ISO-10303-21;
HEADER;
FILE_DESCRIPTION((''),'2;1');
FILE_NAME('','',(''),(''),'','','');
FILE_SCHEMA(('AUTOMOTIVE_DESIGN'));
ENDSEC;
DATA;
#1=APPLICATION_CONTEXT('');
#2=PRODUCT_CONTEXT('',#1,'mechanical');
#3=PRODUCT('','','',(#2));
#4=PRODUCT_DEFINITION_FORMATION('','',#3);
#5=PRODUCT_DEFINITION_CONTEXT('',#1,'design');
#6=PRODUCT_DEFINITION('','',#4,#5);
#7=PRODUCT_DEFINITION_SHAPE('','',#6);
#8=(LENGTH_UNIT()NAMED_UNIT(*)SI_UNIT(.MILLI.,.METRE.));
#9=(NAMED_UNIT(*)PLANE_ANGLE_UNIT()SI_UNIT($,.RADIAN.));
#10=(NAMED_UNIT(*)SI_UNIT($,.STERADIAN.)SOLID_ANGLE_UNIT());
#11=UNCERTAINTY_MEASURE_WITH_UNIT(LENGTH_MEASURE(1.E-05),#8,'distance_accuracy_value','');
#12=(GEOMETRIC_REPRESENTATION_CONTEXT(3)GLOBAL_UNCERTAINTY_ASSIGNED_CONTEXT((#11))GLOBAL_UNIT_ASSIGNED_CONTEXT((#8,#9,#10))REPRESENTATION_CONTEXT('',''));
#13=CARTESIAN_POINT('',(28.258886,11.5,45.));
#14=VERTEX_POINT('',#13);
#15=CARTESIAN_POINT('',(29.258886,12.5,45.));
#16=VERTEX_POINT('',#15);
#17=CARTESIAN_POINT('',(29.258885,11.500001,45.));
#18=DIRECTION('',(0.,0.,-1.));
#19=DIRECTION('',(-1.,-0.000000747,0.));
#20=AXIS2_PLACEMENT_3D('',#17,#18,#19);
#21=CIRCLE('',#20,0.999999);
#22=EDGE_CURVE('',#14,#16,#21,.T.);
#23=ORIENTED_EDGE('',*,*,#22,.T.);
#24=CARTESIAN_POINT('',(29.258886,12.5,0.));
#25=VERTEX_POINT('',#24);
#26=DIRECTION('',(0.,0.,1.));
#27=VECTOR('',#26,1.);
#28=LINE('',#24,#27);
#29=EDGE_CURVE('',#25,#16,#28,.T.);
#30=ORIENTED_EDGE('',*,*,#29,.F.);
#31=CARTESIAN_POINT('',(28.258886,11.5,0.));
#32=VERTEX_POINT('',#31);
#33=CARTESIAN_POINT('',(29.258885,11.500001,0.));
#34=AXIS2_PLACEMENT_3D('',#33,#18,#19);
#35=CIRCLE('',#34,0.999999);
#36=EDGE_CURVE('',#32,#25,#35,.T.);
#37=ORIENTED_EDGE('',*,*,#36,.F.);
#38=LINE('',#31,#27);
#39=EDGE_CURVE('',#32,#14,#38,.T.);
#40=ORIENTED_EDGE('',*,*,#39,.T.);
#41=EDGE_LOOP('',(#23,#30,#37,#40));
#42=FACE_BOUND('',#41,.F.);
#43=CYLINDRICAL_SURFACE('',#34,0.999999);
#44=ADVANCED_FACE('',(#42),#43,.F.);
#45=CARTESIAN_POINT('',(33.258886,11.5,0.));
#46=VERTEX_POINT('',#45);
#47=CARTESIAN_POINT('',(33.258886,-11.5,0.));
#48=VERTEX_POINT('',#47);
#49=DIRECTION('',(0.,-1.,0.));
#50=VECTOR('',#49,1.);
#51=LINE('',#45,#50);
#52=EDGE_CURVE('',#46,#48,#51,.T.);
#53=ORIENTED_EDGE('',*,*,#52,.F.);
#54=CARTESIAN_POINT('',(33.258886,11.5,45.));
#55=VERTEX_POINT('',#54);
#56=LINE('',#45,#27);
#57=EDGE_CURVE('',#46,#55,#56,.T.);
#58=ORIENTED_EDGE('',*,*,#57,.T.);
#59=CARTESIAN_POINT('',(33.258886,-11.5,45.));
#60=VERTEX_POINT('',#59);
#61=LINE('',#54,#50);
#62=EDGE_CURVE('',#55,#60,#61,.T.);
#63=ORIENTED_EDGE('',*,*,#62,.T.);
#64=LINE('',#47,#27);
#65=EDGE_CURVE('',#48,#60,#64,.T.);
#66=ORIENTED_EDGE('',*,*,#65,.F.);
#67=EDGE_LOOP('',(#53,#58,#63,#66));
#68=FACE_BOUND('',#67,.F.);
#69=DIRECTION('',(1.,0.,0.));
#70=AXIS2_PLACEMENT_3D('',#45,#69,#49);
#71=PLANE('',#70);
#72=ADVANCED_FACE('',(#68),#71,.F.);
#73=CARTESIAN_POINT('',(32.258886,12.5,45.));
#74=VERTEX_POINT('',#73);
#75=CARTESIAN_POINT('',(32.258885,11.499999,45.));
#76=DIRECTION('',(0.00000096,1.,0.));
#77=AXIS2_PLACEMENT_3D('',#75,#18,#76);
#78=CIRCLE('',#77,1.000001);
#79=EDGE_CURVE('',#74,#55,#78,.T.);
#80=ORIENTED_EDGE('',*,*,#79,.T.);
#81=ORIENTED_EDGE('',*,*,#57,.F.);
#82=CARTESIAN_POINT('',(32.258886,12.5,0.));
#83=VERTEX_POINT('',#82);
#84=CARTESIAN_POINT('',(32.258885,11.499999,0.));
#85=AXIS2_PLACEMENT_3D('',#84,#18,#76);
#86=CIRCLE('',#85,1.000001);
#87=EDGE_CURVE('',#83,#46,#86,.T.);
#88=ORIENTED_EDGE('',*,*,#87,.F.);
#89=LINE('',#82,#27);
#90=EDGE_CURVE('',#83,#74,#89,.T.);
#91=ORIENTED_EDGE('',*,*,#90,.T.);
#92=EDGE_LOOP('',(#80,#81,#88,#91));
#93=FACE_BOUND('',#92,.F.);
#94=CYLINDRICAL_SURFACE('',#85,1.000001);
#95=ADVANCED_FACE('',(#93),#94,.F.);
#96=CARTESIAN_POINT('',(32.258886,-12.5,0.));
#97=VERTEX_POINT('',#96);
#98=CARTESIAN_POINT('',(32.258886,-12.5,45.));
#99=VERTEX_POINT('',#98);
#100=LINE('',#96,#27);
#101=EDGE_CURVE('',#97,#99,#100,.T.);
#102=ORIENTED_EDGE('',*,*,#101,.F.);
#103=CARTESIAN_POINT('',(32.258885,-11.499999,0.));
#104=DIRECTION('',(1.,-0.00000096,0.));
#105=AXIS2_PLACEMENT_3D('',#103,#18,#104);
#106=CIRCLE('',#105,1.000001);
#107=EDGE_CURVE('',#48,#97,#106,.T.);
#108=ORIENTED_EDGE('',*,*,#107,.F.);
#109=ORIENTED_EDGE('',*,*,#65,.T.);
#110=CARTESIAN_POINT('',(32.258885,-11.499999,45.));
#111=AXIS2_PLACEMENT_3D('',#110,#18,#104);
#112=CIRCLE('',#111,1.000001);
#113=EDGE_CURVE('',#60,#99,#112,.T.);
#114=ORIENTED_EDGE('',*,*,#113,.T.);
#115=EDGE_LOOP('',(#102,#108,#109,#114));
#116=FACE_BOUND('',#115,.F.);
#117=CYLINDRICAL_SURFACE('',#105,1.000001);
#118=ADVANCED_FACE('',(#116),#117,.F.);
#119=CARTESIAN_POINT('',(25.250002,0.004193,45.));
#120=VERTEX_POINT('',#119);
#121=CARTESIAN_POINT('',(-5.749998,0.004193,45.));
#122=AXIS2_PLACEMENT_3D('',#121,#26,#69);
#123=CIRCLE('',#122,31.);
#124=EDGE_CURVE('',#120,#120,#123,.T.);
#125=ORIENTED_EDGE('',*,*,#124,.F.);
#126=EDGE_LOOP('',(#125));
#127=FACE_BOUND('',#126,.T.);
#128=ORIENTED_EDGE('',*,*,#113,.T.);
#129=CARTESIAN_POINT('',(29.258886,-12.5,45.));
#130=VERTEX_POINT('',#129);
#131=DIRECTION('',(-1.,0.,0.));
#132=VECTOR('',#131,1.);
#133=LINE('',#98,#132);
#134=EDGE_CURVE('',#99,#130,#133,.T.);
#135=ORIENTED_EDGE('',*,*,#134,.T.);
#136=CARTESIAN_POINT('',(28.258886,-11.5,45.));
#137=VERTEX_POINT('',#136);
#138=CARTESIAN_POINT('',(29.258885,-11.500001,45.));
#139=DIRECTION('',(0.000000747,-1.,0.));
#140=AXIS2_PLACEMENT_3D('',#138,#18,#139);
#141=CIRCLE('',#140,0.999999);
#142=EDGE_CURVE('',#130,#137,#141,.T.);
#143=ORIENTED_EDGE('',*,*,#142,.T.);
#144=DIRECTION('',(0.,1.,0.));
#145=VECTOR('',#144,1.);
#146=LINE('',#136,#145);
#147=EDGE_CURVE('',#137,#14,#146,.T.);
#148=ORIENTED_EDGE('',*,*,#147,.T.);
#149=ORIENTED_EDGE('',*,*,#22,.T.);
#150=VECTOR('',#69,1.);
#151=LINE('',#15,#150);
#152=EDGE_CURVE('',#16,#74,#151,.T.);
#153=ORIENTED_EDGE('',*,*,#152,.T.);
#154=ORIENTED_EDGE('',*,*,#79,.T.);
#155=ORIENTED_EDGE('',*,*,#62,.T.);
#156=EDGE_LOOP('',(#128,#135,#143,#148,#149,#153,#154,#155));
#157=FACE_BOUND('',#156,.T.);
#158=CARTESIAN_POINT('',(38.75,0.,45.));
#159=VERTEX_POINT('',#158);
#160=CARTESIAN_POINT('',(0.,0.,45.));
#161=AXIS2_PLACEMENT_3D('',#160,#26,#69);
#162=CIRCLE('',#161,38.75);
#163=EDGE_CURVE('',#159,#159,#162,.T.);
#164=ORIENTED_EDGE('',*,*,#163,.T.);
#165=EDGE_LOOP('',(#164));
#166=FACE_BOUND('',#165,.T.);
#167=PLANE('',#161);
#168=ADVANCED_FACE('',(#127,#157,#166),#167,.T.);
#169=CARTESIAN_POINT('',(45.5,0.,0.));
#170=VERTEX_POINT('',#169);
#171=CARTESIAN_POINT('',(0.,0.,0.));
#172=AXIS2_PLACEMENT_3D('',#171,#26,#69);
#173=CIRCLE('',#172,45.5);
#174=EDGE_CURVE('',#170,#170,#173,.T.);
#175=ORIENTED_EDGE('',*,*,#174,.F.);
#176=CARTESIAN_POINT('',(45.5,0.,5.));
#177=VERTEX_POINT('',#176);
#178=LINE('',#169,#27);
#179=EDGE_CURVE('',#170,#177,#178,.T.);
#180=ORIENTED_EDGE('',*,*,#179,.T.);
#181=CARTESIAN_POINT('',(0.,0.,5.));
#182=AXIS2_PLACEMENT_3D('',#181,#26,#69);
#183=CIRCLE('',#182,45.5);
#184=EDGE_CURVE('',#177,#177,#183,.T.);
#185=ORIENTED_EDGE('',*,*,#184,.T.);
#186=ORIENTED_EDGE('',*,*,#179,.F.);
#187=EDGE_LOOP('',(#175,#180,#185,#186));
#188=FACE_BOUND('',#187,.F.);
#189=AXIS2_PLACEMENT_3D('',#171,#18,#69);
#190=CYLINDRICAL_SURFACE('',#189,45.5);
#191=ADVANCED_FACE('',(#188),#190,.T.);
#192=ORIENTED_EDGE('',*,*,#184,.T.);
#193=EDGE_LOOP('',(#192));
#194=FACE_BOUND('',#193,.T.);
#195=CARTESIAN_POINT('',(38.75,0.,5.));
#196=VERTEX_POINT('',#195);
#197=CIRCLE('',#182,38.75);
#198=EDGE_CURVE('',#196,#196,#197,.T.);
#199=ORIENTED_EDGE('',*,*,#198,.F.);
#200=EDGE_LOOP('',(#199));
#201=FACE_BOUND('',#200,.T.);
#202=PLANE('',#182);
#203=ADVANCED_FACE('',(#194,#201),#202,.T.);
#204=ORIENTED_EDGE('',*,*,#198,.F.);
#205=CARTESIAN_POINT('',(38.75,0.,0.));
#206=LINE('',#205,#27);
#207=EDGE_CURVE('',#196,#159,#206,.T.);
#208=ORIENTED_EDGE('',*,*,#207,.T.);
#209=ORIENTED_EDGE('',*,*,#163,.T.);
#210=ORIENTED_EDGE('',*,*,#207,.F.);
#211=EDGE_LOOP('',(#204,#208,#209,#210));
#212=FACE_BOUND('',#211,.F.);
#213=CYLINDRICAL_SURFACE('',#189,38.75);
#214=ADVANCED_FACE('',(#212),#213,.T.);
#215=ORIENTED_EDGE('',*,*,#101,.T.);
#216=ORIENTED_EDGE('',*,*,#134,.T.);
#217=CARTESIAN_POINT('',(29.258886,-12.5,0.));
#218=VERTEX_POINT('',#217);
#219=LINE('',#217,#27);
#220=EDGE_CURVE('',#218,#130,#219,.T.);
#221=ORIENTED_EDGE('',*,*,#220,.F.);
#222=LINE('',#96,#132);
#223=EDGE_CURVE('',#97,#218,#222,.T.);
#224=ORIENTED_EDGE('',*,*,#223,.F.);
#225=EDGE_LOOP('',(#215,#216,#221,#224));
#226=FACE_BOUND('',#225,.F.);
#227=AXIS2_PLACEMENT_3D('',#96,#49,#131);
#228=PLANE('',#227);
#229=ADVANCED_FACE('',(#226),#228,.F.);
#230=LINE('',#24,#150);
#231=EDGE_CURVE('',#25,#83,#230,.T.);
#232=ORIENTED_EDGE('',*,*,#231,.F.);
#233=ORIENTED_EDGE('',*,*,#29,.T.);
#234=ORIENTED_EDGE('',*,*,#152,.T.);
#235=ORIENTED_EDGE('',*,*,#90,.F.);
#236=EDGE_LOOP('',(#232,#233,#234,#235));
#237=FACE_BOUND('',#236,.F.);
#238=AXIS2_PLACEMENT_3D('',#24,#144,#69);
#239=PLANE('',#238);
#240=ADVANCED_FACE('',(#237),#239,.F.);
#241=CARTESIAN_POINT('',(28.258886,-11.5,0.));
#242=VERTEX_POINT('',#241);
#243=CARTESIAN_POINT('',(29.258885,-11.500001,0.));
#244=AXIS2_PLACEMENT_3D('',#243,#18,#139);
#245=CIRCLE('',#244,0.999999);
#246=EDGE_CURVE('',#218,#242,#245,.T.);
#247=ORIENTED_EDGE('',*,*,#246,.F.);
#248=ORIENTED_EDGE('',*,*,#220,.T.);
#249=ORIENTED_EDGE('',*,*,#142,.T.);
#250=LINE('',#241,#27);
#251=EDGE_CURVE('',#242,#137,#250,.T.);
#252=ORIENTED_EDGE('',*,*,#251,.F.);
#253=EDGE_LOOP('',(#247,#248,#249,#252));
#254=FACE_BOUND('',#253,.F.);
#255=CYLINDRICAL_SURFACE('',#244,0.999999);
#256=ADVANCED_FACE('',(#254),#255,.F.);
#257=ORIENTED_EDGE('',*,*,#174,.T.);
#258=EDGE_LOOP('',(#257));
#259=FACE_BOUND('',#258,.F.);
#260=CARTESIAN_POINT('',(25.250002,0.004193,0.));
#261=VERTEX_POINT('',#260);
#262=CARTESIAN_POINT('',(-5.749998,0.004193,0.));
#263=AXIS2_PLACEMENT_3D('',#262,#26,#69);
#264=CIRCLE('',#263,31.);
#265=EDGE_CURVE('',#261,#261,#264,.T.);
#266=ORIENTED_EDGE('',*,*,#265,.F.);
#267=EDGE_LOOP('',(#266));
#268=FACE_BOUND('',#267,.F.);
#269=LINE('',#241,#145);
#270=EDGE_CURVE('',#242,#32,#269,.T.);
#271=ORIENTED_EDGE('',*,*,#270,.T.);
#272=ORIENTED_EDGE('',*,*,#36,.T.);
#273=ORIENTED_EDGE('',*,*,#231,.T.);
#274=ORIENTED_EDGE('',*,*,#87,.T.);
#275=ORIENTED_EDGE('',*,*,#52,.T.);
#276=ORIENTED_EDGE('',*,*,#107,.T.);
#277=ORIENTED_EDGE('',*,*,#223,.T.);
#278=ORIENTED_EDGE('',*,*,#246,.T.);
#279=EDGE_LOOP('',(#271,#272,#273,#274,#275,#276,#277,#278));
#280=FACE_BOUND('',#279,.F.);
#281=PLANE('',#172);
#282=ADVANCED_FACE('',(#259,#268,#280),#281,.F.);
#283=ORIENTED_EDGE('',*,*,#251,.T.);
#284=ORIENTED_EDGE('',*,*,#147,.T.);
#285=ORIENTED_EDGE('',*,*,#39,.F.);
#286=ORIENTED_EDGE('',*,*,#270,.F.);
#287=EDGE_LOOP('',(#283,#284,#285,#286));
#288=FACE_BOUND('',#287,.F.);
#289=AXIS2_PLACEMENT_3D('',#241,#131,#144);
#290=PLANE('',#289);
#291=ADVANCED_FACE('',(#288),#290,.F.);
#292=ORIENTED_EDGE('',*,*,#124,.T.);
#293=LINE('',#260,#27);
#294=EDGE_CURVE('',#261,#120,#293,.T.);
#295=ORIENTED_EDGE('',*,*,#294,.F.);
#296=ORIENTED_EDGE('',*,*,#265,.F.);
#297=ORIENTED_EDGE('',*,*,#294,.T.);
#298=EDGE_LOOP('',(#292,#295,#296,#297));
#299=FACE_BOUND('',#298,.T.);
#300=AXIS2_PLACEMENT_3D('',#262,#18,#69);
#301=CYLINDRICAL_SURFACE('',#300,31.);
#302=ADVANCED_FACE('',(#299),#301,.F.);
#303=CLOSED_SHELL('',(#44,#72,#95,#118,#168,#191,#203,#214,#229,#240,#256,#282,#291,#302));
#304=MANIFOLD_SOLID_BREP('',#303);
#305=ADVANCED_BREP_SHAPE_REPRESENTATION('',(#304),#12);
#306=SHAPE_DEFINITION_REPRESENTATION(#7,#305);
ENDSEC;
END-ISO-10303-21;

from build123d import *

# Parameters (mm, degrees)
F0_R     = 45.5
F0_R_2   = 38.75
F1_DEPTH = 5
F0_R_3   = 31
F2_DEPTH = 45


with BuildPart() as f1:
    # F0 (on Top) → F1 (new body)
    with BuildSketch(Plane.XY):
        Circle(F0_R)
        Circle(F0_R_2, mode=Mode.SUBTRACT)
    extrude(amount=F1_DEPTH)

    # F0 (on Top) → F2 (join)
    with BuildSketch(Plane.XY):
        Circle(F0_R_2)
        with Locations((-5.749998, 0.004193)):
            Circle(F0_R_3, mode=Mode.SUBTRACT)
        with BuildLine():
            ThreePointArc((33.258886, -11.5), (32.965992, -12.207107), (32.258886, -12.5))
            Line((32.258886, -12.5), (29.258886, -12.5))
            ThreePointArc((29.258886, -12.5), (28.551779, -12.207107), (28.258886, -11.5))
            Line((28.258886, -11.5), (28.258886, 11.5))
            ThreePointArc((28.258886, 11.5), (28.551779, 12.207107), (29.258886, 12.5))
            Line((29.258886, 12.5), (32.258886, 12.5))
            ThreePointArc((32.258886, 12.5), (32.965992, 12.207107), (33.258886, 11.5))
            Line((33.258886, 11.5), (33.258886, -11.5))
        make_face(mode=Mode.SUBTRACT)
    extrude(amount=F2_DEPTH)


solid = f1.part
